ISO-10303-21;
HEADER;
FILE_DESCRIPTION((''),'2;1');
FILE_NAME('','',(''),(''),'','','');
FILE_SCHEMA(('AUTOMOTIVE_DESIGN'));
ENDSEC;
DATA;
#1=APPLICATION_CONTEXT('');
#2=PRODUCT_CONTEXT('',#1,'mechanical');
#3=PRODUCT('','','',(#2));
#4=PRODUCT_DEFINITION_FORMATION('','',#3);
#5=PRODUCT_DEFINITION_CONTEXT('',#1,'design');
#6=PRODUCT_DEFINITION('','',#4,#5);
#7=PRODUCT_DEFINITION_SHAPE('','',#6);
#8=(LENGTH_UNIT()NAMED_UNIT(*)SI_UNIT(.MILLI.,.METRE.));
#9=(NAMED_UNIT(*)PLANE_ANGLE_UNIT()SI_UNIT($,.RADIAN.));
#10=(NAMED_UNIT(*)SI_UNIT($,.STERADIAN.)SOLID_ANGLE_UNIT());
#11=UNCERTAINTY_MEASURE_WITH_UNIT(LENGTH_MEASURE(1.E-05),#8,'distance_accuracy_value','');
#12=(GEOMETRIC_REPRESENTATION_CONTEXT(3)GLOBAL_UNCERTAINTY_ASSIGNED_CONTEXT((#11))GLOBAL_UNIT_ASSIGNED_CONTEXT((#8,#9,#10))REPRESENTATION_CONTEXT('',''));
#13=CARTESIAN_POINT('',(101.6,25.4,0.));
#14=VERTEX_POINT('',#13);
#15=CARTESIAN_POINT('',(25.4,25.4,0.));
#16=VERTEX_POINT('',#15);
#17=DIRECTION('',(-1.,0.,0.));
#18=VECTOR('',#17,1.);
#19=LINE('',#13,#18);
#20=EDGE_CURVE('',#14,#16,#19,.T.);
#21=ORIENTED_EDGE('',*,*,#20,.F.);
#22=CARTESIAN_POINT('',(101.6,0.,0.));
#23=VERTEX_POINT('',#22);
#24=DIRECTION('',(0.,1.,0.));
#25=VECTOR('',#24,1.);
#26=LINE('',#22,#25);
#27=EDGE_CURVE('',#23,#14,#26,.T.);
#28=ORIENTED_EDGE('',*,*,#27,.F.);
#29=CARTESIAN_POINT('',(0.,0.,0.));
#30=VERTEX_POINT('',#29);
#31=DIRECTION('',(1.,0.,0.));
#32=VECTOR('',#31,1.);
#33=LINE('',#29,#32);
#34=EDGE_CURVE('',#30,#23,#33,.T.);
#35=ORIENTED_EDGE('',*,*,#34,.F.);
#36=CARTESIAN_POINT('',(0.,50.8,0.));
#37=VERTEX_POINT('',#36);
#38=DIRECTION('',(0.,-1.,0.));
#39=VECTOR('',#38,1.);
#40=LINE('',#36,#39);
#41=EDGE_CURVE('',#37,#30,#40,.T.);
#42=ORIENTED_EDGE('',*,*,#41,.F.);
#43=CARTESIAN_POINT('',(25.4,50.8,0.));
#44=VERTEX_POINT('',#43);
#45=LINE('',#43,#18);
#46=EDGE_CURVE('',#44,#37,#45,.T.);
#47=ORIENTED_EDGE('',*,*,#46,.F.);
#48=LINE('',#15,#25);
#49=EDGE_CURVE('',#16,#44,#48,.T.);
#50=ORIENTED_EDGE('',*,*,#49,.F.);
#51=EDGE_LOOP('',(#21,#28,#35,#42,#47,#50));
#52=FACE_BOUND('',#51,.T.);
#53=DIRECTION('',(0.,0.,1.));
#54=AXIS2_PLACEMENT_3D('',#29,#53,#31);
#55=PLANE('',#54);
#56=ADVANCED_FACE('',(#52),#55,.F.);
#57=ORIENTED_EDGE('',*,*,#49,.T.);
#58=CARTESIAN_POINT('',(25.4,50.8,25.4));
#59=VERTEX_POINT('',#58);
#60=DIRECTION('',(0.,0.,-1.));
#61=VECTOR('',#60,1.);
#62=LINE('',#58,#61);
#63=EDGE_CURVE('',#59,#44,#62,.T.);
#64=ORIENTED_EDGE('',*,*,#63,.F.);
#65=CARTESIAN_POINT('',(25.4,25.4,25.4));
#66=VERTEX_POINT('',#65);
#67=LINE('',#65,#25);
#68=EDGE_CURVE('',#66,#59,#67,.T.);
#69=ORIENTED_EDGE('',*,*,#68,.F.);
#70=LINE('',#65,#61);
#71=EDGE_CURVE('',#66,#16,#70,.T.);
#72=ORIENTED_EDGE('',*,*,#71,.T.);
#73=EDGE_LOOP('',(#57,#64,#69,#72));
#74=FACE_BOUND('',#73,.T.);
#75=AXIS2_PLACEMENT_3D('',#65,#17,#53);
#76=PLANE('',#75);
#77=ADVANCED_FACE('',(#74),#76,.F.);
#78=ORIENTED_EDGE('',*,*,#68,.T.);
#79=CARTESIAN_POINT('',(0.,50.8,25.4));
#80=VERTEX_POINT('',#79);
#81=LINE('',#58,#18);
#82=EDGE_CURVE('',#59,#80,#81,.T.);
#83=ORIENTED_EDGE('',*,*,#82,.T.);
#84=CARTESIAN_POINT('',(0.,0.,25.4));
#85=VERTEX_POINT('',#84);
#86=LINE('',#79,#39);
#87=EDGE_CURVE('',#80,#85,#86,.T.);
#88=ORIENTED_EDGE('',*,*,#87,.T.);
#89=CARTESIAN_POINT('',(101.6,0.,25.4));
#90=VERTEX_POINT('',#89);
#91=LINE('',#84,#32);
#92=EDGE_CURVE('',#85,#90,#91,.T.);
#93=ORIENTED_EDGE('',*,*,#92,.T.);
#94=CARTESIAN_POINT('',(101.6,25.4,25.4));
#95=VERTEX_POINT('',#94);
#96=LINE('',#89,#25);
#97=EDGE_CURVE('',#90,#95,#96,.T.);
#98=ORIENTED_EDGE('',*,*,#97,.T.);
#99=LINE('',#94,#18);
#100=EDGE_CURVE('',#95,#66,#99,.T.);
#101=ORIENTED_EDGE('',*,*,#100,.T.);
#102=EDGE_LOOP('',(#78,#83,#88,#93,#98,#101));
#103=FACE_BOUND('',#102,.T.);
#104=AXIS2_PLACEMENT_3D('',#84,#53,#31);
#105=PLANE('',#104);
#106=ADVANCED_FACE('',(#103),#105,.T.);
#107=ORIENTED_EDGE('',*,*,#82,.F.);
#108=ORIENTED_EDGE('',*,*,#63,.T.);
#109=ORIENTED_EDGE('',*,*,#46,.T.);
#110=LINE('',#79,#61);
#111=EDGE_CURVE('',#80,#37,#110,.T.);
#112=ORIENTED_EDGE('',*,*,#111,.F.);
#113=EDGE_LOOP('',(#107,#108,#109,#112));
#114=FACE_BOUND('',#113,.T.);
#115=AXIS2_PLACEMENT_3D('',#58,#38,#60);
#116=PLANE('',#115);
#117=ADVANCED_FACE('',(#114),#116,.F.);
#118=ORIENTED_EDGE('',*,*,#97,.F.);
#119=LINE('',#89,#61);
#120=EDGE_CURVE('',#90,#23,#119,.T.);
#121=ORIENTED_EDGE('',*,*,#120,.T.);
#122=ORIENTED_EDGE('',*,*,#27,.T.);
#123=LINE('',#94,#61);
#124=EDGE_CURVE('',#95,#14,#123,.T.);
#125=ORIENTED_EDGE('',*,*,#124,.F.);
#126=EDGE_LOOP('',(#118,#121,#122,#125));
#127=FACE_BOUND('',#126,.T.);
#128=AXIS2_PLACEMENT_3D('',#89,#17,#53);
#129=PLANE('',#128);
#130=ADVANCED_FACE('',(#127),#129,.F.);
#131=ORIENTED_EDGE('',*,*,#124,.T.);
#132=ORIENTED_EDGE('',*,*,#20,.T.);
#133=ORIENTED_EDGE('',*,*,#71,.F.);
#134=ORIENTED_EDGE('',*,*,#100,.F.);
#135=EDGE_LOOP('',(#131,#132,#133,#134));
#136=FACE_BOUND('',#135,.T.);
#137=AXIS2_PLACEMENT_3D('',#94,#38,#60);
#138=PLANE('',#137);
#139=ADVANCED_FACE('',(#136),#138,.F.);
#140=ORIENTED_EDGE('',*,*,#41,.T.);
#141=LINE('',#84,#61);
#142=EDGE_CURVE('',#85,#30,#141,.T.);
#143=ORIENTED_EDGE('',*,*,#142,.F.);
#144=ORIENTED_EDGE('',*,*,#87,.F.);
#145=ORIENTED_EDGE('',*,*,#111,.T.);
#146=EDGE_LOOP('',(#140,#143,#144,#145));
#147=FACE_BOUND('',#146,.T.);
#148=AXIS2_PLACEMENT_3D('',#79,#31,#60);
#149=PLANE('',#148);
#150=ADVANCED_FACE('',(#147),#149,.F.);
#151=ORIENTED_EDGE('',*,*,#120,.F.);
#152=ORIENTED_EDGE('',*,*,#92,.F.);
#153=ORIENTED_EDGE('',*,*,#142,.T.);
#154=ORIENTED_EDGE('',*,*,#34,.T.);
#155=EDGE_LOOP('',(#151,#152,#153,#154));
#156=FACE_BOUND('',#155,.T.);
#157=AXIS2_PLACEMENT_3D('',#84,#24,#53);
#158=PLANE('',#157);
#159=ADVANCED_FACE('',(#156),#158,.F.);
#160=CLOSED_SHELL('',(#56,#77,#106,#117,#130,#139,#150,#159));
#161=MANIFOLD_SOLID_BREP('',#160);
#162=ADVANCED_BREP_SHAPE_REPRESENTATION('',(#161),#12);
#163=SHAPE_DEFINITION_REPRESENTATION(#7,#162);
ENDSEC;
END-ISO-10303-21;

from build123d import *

# Parameters (mm, degrees)
BOSS_EXTRUDE1_DEPTH = 25.4


with BuildPart() as part:
    # Sketch1 → Boss-Extrude1 (new body)
    with BuildSketch(Plane.XY):
        Polygon((101.6, 0), (101.6, 25.4), (25.4, 25.4), (25.4, 50.8), (0, 50.8), (0, 0), align=None)
    extrude(amount=BOSS_EXTRUDE1_DEPTH)


solid = part.part
